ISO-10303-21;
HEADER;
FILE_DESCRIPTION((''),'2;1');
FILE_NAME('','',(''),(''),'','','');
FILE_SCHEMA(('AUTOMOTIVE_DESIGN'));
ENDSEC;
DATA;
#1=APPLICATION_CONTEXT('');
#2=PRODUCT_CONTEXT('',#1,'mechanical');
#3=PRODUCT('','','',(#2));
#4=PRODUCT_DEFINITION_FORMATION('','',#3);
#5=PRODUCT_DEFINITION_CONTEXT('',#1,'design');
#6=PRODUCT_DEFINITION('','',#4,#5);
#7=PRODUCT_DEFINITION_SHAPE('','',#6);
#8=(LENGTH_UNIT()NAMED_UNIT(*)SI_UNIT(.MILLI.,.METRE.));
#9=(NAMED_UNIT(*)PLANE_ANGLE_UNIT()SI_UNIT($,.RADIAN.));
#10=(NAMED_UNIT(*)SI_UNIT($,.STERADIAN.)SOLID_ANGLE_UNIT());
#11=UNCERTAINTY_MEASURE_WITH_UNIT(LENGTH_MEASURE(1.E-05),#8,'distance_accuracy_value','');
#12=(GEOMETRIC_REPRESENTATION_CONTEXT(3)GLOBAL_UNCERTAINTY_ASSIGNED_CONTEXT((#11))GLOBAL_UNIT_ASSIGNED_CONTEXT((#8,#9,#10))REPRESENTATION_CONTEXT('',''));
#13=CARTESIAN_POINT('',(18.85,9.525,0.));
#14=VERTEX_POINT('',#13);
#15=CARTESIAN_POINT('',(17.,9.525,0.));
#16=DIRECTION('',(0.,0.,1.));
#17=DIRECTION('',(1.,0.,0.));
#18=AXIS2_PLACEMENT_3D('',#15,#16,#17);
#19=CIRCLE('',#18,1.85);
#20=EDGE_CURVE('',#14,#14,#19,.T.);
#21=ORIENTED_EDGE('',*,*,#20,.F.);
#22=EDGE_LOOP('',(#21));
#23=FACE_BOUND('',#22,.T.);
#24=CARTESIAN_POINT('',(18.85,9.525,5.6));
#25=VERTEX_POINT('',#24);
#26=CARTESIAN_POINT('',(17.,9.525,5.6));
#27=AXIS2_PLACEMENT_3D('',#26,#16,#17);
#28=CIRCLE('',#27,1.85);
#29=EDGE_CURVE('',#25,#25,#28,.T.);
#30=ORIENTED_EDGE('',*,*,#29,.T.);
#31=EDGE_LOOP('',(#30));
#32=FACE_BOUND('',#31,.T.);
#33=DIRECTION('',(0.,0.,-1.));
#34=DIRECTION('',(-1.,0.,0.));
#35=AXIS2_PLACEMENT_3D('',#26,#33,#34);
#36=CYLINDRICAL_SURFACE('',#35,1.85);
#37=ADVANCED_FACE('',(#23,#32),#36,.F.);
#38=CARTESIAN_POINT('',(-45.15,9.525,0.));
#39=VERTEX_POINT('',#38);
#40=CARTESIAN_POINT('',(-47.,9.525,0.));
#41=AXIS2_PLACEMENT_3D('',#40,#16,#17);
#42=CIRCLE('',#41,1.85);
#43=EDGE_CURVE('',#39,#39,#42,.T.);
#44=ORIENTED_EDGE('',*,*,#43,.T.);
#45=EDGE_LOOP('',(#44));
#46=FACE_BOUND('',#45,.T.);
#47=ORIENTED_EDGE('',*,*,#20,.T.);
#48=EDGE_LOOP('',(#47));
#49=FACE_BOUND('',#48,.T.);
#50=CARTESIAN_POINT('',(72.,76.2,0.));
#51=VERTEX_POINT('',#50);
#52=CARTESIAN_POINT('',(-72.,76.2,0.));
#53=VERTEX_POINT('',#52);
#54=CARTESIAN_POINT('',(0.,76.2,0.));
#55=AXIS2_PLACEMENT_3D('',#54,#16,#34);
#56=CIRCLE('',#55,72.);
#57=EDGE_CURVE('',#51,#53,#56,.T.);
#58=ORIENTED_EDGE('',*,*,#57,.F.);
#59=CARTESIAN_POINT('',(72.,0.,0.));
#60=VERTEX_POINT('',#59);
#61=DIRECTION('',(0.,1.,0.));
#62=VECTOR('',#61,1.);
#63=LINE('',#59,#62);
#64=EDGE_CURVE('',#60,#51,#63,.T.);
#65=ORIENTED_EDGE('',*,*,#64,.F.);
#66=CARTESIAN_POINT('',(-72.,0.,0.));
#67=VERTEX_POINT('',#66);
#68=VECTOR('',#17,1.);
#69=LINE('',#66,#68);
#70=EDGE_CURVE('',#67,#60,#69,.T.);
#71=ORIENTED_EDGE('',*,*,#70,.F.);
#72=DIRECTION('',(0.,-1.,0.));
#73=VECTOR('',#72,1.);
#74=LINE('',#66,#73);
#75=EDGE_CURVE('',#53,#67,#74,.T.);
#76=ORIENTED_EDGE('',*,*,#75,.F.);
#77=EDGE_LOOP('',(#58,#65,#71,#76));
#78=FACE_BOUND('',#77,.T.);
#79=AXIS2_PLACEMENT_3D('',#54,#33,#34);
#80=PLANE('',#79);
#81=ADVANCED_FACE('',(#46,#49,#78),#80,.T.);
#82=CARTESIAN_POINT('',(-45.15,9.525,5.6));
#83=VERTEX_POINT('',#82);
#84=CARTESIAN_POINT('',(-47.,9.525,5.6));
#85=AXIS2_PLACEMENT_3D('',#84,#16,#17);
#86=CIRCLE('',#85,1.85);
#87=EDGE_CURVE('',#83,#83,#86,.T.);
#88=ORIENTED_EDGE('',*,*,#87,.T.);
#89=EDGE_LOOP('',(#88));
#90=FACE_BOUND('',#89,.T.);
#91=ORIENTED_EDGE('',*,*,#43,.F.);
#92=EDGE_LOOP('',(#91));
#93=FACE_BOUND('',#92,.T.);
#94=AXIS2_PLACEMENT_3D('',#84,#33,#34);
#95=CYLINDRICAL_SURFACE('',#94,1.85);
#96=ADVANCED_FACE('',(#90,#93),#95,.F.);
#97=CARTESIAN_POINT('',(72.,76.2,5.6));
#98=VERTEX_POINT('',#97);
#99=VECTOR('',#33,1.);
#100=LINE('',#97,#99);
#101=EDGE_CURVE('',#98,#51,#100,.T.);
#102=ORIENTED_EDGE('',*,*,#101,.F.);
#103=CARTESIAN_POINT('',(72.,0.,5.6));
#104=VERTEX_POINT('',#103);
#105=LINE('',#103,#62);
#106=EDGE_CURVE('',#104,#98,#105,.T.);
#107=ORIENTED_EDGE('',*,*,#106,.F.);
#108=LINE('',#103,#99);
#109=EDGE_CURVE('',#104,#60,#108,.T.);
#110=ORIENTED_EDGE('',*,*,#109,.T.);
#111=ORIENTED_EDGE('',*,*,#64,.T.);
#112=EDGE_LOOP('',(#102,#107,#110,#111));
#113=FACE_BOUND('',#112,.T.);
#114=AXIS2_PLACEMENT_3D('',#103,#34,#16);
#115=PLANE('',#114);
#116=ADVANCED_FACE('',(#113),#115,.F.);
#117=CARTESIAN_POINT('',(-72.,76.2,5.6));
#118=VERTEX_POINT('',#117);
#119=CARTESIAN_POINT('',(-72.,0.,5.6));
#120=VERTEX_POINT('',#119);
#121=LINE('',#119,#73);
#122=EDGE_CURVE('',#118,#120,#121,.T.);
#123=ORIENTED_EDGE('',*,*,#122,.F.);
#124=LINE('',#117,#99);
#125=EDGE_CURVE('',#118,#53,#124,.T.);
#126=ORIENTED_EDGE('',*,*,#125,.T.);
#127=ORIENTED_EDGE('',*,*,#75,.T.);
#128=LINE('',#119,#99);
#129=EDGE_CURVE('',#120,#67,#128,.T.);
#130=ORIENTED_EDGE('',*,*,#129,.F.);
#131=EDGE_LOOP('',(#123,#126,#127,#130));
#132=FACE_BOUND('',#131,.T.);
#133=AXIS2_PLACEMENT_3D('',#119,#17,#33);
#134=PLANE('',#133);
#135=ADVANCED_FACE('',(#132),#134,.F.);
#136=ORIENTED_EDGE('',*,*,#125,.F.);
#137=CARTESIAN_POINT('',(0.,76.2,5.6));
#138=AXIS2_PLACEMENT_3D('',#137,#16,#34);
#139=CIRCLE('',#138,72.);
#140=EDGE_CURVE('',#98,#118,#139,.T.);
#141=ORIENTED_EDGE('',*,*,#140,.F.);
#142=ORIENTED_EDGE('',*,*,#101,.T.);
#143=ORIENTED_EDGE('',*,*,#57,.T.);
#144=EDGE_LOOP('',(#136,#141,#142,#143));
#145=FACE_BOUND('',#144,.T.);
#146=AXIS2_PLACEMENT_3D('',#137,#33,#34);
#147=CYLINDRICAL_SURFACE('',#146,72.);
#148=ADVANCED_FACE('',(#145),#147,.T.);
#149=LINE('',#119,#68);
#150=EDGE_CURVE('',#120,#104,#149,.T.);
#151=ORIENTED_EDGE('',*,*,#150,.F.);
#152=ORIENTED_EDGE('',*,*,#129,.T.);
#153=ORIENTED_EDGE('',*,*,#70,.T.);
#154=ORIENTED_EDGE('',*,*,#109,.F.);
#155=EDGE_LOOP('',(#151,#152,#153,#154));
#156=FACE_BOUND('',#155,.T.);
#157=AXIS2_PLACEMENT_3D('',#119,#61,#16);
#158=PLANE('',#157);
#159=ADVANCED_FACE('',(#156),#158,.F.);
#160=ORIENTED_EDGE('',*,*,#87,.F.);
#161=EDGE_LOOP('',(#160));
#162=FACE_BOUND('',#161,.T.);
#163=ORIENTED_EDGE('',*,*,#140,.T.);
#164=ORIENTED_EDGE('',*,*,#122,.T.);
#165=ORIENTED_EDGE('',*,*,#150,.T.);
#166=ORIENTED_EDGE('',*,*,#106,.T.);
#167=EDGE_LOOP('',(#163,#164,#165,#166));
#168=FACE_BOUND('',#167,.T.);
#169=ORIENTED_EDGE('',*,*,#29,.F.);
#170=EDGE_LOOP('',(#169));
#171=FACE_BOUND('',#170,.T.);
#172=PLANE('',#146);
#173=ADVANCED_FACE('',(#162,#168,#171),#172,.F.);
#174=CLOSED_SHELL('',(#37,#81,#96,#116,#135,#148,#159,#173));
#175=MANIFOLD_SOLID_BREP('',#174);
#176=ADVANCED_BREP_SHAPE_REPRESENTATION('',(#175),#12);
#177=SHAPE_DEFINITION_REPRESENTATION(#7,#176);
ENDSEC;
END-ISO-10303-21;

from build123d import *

# Parameters (mm, degrees)
SKETCH1_R           = 1.85
BOSS_EXTRUDE1_DEPTH = 5.6


with BuildPart() as part:
    # Sketch1 → Boss-Extrude1 (new body)
    with BuildSketch(Plane.XY):
        with BuildLine():
            Line((-72, 0), (72, 0))
            Line((72, 0), (72, 76.2))
            ThreePointArc((72, 76.2), (0, 148.2), (-72, 76.2))
            Line((-72, 76.2), (-72, 0))
        make_face()
        with Locations((-47, 9.525)):
            Circle(SKETCH1_R, mode=Mode.SUBTRACT)
        with Locations((17, 9.525)):
            Circle(SKETCH1_R, mode=Mode.SUBTRACT)
    extrude(amount=BOSS_EXTRUDE1_DEPTH)


solid = part.part
